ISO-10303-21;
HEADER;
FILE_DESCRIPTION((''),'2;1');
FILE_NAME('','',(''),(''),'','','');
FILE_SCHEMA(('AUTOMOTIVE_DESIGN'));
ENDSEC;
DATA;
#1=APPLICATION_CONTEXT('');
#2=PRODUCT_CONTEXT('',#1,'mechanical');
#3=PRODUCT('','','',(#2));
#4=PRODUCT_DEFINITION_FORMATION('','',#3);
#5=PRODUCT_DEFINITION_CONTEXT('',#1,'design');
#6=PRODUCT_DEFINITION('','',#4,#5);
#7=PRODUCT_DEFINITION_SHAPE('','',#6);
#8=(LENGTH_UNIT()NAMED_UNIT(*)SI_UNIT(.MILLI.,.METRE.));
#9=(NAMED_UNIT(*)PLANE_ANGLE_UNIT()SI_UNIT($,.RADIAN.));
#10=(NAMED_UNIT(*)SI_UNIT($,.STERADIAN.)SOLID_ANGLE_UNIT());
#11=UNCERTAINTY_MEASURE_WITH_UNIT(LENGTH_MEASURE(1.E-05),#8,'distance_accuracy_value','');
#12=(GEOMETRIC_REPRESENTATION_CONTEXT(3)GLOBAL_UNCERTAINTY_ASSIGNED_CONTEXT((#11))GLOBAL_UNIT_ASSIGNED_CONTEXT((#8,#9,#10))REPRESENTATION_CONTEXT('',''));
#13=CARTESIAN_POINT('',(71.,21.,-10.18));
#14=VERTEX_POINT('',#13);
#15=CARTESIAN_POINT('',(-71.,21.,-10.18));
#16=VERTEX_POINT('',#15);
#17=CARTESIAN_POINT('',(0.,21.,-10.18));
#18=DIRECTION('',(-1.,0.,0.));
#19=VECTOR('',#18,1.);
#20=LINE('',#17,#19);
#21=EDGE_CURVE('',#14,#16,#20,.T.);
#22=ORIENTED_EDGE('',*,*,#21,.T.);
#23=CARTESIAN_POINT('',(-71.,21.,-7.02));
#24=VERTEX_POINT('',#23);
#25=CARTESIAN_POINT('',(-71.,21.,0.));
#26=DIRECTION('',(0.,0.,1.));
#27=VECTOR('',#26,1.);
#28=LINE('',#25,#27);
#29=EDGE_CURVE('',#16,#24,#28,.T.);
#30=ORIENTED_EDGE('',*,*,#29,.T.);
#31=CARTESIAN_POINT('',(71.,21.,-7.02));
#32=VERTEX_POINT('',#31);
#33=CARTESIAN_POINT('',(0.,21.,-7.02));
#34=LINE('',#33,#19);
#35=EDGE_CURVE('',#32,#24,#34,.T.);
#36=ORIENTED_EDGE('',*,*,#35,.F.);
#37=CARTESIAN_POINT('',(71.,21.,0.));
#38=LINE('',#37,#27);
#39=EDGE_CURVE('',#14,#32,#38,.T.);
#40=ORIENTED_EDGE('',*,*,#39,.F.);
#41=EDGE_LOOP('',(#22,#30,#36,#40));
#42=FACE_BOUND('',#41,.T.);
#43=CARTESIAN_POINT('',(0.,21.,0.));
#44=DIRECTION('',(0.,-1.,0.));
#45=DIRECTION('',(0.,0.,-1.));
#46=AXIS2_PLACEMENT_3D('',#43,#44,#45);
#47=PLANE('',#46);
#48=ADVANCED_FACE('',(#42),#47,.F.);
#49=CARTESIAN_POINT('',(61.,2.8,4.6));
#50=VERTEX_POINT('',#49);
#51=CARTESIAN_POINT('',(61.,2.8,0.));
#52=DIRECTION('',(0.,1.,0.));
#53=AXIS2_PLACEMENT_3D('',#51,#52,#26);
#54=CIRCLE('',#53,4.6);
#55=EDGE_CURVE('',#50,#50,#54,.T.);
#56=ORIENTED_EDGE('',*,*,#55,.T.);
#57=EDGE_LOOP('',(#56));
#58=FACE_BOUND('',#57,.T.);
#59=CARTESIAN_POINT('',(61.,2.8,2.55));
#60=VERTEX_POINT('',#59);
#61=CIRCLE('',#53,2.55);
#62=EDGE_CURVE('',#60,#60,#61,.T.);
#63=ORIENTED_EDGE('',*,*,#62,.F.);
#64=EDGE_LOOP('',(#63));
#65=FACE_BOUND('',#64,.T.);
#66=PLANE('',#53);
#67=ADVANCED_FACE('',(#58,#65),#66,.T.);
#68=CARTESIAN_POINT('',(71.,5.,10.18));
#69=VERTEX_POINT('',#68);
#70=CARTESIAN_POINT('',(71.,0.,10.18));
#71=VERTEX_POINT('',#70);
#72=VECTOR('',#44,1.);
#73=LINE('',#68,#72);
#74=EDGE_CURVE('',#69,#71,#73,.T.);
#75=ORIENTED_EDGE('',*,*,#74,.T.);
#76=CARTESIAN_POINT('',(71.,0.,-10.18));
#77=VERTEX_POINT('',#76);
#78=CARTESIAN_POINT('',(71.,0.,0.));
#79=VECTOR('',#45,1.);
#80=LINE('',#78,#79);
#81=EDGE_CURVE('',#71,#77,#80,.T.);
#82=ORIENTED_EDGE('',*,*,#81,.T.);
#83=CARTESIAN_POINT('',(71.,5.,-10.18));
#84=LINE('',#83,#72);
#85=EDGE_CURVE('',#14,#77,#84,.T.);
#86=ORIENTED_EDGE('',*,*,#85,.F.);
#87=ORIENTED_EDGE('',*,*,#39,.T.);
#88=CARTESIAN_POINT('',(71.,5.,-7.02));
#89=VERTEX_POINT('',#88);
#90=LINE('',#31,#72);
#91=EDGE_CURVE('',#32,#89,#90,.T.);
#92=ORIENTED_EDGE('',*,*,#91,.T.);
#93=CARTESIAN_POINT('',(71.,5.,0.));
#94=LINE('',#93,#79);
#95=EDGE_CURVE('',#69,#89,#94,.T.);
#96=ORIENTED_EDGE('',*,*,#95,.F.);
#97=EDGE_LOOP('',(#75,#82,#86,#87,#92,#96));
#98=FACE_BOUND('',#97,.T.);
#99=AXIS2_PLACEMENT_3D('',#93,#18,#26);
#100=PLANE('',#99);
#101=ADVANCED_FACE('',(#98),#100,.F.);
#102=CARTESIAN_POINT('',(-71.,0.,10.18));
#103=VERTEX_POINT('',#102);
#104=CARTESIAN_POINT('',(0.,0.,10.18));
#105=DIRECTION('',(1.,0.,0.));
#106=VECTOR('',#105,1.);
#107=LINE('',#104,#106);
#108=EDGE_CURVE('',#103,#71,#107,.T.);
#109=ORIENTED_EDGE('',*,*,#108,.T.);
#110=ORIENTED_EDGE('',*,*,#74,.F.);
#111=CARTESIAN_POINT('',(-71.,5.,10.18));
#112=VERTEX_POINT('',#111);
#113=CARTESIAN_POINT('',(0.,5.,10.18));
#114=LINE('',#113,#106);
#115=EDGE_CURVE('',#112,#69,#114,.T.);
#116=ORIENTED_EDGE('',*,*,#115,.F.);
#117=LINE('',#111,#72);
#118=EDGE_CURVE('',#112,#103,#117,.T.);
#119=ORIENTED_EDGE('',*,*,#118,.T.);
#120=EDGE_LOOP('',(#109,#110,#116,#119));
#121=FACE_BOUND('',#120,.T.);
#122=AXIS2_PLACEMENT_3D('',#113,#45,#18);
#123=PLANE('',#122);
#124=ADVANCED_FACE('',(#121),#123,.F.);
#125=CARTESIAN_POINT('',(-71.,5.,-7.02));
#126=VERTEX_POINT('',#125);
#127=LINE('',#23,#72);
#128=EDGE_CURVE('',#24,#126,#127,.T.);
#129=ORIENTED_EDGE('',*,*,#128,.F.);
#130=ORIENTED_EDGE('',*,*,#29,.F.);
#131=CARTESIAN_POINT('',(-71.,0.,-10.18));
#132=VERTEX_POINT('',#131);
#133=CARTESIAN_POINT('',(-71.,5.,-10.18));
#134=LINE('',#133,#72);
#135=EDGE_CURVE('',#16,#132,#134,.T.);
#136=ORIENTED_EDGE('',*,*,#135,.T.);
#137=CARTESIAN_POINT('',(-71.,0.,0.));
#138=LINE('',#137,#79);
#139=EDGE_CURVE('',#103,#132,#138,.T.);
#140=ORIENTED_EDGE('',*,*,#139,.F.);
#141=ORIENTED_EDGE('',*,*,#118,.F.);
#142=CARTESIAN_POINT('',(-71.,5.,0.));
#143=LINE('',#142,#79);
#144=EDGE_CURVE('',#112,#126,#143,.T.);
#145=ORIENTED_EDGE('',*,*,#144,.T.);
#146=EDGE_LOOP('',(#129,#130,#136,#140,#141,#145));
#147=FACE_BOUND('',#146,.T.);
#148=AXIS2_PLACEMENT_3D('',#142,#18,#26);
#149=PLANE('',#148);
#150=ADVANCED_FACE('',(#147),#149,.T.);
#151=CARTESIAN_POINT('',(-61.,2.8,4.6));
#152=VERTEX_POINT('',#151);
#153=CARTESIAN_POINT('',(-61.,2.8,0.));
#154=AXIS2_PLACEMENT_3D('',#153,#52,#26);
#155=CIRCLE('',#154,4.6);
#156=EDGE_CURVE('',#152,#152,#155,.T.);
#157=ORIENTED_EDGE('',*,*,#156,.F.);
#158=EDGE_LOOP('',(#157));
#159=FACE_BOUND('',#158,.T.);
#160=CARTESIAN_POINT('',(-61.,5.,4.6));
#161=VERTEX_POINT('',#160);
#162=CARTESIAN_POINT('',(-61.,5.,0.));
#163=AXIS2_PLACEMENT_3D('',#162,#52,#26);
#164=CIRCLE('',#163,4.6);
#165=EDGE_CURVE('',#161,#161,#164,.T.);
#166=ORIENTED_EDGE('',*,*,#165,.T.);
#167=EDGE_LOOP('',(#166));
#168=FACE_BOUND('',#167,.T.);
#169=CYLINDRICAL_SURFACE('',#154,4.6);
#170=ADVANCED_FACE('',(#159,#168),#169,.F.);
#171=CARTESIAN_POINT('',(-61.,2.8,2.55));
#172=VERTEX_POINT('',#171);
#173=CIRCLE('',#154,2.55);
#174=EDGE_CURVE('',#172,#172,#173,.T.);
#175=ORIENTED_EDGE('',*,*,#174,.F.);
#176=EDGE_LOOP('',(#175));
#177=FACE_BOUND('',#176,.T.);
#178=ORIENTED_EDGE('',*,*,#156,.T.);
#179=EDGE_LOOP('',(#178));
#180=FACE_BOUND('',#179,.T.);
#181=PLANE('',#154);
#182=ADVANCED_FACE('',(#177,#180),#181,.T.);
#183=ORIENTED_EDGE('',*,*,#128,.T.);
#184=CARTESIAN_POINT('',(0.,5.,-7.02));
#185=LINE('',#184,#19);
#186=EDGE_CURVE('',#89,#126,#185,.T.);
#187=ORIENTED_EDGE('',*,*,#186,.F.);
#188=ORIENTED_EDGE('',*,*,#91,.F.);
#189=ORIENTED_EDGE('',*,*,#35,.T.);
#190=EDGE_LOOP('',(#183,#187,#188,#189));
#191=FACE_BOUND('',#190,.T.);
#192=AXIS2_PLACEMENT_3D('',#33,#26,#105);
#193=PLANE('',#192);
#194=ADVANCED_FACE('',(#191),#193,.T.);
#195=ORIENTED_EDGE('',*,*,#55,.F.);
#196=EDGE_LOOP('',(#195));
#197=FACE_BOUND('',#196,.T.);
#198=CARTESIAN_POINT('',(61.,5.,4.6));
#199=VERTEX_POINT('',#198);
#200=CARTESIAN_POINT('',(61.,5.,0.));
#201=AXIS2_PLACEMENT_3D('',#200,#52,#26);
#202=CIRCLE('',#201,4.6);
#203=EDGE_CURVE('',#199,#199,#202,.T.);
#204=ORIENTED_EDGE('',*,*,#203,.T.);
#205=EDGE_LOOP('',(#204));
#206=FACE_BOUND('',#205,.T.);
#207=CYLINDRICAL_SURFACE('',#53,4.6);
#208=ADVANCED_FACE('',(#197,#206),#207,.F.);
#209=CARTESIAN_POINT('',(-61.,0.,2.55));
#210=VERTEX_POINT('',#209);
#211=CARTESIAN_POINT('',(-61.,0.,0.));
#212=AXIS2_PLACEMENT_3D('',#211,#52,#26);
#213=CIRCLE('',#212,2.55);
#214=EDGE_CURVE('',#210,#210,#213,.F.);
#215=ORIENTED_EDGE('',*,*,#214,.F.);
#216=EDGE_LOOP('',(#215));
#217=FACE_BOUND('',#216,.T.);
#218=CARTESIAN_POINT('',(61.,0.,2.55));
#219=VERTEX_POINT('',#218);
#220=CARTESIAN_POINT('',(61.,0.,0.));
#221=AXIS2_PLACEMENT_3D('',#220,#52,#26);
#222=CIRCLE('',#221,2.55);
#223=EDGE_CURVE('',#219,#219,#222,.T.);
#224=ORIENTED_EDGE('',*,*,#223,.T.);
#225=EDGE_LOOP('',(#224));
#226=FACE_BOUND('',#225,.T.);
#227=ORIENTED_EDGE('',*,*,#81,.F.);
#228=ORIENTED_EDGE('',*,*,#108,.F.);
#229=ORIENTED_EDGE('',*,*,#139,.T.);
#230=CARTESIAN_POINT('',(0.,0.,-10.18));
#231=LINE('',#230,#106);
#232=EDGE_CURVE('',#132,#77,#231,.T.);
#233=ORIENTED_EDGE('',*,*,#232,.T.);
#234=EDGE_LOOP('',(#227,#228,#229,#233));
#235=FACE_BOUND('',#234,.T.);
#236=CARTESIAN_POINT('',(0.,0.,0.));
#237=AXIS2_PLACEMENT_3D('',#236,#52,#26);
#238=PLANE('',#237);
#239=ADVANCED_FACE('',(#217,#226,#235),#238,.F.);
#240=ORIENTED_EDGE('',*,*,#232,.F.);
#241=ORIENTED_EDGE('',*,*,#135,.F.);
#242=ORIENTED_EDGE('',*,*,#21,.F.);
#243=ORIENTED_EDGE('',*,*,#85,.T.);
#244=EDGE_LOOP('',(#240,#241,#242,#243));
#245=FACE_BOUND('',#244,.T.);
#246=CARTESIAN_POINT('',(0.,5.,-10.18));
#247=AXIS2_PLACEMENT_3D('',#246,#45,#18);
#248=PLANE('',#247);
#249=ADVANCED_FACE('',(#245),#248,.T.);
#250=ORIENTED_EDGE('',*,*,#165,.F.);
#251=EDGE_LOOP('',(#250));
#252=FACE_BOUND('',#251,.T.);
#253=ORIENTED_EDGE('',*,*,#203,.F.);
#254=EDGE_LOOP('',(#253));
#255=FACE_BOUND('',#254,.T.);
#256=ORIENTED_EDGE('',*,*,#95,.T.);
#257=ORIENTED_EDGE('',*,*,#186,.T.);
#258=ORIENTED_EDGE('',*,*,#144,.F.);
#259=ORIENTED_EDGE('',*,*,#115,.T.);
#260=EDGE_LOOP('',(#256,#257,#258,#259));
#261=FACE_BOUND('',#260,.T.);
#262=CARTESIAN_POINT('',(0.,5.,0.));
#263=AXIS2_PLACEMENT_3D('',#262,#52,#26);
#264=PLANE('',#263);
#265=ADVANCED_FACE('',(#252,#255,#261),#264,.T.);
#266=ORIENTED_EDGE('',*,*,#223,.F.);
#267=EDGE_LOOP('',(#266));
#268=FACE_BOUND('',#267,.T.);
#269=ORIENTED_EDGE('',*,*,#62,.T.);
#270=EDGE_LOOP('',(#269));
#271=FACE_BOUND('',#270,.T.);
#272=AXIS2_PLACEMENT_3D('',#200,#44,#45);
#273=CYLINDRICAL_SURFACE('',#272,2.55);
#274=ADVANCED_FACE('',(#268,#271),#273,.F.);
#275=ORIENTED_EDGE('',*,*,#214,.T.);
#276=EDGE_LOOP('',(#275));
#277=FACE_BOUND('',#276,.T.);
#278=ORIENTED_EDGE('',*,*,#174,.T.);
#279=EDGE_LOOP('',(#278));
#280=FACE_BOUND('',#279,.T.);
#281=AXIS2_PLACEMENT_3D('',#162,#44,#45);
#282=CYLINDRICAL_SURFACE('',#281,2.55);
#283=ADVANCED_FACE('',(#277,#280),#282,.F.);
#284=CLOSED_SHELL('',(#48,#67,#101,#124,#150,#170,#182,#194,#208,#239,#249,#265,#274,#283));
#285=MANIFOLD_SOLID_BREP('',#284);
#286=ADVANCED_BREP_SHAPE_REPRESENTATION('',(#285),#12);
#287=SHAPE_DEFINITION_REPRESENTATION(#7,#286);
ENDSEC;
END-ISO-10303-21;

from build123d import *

# Parameters (mm, degrees)
SKETCH1_W           = 142
SKETCH1_H           = 17.2
SKETCH1_R           = 4.6
SKETCH1_H_2         = 3.16
SKETCH1_R_2         = 2.55
BOSS_EXTRUDE1_DEPTH = 5
BOSS_EXTRUDE2_START = 5
SKETCH1_3_W         = 142
SKETCH1_3_H         = 3.16
BOSS_EXTRUDE2_DEPTH = 16
CUT_EXTRUDE1_START  = 2.8
SKETCH1_5_R         = 4.6
SKETCH1_5_R_2       = 2.55
CUT_EXTRUDE1_DEPTH  = 2.2


with BuildPart() as part:
    # Sketch1 → Boss-Extrude1 (new body)
    # profile 1 of 4: a face of its own
    with BuildSketch(Plane(origin=(0, 0, 0), x_dir=(1, 0, 0), z_dir=(0, 1, 0))):
        with Locations((0, -1.58)):
            Rectangle(SKETCH1_W, SKETCH1_H)
        with Locations((-61, 0)):
            Circle(SKETCH1_R, mode=Mode.SUBTRACT)
        with Locations((61, 0)):
            Circle(SKETCH1_R, mode=Mode.SUBTRACT)
    # profile 2 of 4: a face of its own
    with BuildSketch(Plane(origin=(0, 0, 0), x_dir=(1, 0, 0), z_dir=(0, 1, 0))):
        with Locations((0, 8.6)):
            Rectangle(SKETCH1_W, SKETCH1_H_2)
    # profile 3 of 4: a face of its own
    with BuildSketch(Plane(origin=(0, 0, 0), x_dir=(1, 0, 0), z_dir=(0, 1, 0))):
        with Locations((-61, 0)):
            Circle(SKETCH1_R)
        with Locations(Location((-61, 0, 0), (0, 0, 270))):
            Circle(SKETCH1_R_2, mode=Mode.SUBTRACT)
    # profile 4 of 4: a face of its own
    with BuildSketch(Plane(origin=(0, 0, 0), x_dir=(1, 0, 0), z_dir=(0, 1, 0))):
        with Locations((61, 0)):
            Circle(SKETCH1_R)
        with Locations(Location((61, 0, 0), (0, 0, 270))):
            Circle(SKETCH1_R_2, mode=Mode.SUBTRACT)
    extrude(amount=BOSS_EXTRUDE1_DEPTH)

    # Sketch1<3> → Boss-Extrude2 (add)
    with BuildSketch(Plane(origin=(0, 0, 0), x_dir=(1, 0, 0), z_dir=(0, 1, 0)).offset(BOSS_EXTRUDE2_START)):
        with Locations((0, 8.6)):
            Rectangle(SKETCH1_3_W, SKETCH1_3_H)
    extrude(amount=BOSS_EXTRUDE2_DEPTH)

    # Sketch1<5> → Cut-Extrude1 (cut)
    # profile 1 of 2: a face of its own
    with BuildSketch(Plane(origin=(0, 0, 0), x_dir=(1, 0, 0), z_dir=(0, 1, 0)).offset(CUT_EXTRUDE1_START)):
        with Locations(Location((-61, 0, 0), (0, 0, 270))):
            Circle(SKETCH1_5_R)
        with Locations(Location((-61, 0, 0), (0, 0, 270))):
            Circle(SKETCH1_5_R_2, mode=Mode.SUBTRACT)
    # profile 2 of 2: a face of its own
    with BuildSketch(Plane(origin=(0, 0, 0), x_dir=(1, 0, 0), z_dir=(0, 1, 0)).offset(CUT_EXTRUDE1_START)):
        with Locations(Location((61, 0, 0), (0, 0, 270))):
            Circle(SKETCH1_5_R)
        with Locations(Location((61, 0, 0), (0, 0, 270))):
            Circle(SKETCH1_5_R_2, mode=Mode.SUBTRACT)
    extrude(amount=CUT_EXTRUDE1_DEPTH, mode=Mode.SUBTRACT)


solid = part.part
